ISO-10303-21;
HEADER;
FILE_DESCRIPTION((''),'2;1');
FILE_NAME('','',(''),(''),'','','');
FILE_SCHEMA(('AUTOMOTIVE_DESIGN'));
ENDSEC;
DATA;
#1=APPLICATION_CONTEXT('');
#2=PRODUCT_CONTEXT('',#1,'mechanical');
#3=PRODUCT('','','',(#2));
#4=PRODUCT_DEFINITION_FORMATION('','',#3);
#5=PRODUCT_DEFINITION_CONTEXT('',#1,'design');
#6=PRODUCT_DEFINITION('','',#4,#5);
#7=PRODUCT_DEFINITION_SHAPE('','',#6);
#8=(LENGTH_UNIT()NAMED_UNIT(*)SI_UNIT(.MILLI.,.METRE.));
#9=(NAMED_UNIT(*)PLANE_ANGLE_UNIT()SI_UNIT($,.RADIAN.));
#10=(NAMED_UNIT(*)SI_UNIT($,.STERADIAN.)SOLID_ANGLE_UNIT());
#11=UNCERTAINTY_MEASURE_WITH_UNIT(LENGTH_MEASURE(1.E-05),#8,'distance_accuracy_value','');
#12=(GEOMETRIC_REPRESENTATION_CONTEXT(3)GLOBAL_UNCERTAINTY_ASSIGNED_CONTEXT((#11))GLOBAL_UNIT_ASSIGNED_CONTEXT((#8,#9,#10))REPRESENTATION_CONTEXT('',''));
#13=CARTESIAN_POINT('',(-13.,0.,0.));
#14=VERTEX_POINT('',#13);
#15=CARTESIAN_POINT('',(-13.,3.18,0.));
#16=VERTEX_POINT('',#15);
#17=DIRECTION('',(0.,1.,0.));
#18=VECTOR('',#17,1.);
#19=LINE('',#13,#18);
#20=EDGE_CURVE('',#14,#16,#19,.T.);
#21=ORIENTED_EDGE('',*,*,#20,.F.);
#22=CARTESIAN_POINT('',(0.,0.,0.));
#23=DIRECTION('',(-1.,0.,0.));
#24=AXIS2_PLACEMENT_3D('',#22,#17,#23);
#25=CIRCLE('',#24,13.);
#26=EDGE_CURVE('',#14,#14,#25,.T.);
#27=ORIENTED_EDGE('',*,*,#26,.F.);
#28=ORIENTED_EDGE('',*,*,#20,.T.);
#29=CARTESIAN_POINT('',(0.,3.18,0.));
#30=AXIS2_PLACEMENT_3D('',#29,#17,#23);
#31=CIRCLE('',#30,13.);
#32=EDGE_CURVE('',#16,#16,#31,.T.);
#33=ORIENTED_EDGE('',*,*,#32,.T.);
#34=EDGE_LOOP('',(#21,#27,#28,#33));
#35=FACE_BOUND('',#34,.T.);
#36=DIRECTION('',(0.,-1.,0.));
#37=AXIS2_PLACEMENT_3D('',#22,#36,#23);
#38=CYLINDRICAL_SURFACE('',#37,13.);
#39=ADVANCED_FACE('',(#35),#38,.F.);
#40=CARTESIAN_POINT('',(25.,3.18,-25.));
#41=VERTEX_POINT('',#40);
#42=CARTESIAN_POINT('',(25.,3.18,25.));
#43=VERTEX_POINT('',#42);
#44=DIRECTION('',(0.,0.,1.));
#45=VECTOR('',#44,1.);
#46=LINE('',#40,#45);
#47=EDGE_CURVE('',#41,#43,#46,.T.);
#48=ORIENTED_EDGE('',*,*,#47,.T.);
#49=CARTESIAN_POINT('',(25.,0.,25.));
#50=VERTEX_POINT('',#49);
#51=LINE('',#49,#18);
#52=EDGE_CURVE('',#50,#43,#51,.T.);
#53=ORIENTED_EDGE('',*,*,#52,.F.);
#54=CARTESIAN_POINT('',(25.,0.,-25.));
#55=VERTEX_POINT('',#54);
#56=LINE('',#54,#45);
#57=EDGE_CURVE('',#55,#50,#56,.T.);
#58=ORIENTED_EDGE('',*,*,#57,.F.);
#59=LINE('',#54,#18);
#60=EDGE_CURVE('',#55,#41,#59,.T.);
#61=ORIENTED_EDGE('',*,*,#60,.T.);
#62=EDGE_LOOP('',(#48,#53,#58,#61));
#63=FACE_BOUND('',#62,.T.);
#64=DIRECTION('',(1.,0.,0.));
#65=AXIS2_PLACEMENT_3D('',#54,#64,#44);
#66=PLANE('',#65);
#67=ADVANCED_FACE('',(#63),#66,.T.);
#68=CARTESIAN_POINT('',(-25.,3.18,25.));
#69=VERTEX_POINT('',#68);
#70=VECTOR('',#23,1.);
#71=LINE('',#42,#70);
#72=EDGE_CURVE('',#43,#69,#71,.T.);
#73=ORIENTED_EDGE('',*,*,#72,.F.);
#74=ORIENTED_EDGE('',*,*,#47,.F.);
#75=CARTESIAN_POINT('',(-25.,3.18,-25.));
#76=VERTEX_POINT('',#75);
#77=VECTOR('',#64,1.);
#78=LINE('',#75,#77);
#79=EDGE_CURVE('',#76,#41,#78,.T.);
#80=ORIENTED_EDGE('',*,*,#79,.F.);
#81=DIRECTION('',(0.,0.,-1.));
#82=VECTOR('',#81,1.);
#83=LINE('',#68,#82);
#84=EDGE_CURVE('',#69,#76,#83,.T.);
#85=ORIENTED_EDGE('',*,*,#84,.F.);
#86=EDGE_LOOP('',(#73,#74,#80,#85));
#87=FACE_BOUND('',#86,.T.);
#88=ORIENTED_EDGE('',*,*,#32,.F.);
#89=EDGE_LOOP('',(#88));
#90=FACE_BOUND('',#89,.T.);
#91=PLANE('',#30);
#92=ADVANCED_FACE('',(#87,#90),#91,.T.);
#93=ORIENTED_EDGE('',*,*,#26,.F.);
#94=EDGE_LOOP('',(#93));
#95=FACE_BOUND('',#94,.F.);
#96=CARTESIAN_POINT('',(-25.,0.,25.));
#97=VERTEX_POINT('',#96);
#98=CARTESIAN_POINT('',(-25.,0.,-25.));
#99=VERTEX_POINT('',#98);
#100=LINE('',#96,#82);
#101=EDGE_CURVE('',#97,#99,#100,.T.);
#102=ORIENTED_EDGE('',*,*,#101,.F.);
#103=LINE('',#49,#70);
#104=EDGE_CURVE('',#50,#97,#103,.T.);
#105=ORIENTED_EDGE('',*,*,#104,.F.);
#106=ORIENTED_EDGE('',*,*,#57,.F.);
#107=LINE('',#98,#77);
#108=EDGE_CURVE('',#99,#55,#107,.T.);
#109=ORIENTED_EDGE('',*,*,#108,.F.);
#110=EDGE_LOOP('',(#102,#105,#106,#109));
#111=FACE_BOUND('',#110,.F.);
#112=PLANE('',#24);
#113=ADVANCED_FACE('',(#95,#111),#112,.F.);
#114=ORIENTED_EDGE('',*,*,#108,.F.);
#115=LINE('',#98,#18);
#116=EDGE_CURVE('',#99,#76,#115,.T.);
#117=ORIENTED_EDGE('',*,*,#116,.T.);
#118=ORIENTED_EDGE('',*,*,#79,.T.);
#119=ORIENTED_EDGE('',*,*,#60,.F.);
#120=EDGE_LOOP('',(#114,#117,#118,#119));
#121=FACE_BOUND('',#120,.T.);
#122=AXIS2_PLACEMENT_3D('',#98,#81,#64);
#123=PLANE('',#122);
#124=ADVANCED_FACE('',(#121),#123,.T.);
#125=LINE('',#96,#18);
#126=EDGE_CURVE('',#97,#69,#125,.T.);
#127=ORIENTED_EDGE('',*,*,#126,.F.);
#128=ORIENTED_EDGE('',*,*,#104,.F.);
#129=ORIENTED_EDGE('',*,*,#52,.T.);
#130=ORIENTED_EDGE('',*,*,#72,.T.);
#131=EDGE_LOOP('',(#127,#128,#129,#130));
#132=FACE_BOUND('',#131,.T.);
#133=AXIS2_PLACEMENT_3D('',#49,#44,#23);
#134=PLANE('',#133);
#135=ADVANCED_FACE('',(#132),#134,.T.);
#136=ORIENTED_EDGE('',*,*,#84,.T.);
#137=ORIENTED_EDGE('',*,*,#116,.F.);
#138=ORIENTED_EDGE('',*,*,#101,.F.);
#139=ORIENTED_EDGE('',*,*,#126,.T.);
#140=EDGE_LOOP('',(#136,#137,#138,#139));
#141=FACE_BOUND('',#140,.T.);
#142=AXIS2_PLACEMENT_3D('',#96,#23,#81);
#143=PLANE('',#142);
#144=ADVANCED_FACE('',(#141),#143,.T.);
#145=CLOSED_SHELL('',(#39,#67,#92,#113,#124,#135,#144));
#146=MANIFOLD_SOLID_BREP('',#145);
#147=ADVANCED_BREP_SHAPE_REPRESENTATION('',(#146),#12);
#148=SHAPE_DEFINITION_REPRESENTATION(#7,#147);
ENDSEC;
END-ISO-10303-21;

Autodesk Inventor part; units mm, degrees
ref_plane "YZ Plane" through (0, 0, 0) normal (1, 0, 0) x (0, 1, 0)
ref_plane "XZ Plane" through (0, 0, 0) normal (0, 1, 0) x (-1, 0, 0)
ref_plane "XY Plane" through (0, 0, 0) normal (0, 0, 1) x (1, 0, 0)
sketch "Sketch1" plane through (0, 0, 0) normal (0, 1, 0) x (-1, 0, 0)
  line L0 (-25, 25) -> (25, 25)
  line L1 (25, 25) -> (25, -25)
  line L2 (25, -25) -> (-25, -25)
  line L3 (-25, -25) -> (-25, 25)
  line L4 (-25, 25) -> (25, -25) construction
  line L5 (25, 25) -> (-25, -25) construction
  circle A0 centre (0, 0) radius 13
  dimension "d0" = 50
  dimension "d1" = 50
  dimension "d2" = 26
extrude "Extrusion1" add sketch "Sketch1" along normal blind 3.18
properties part number "Base sostenedor1"
